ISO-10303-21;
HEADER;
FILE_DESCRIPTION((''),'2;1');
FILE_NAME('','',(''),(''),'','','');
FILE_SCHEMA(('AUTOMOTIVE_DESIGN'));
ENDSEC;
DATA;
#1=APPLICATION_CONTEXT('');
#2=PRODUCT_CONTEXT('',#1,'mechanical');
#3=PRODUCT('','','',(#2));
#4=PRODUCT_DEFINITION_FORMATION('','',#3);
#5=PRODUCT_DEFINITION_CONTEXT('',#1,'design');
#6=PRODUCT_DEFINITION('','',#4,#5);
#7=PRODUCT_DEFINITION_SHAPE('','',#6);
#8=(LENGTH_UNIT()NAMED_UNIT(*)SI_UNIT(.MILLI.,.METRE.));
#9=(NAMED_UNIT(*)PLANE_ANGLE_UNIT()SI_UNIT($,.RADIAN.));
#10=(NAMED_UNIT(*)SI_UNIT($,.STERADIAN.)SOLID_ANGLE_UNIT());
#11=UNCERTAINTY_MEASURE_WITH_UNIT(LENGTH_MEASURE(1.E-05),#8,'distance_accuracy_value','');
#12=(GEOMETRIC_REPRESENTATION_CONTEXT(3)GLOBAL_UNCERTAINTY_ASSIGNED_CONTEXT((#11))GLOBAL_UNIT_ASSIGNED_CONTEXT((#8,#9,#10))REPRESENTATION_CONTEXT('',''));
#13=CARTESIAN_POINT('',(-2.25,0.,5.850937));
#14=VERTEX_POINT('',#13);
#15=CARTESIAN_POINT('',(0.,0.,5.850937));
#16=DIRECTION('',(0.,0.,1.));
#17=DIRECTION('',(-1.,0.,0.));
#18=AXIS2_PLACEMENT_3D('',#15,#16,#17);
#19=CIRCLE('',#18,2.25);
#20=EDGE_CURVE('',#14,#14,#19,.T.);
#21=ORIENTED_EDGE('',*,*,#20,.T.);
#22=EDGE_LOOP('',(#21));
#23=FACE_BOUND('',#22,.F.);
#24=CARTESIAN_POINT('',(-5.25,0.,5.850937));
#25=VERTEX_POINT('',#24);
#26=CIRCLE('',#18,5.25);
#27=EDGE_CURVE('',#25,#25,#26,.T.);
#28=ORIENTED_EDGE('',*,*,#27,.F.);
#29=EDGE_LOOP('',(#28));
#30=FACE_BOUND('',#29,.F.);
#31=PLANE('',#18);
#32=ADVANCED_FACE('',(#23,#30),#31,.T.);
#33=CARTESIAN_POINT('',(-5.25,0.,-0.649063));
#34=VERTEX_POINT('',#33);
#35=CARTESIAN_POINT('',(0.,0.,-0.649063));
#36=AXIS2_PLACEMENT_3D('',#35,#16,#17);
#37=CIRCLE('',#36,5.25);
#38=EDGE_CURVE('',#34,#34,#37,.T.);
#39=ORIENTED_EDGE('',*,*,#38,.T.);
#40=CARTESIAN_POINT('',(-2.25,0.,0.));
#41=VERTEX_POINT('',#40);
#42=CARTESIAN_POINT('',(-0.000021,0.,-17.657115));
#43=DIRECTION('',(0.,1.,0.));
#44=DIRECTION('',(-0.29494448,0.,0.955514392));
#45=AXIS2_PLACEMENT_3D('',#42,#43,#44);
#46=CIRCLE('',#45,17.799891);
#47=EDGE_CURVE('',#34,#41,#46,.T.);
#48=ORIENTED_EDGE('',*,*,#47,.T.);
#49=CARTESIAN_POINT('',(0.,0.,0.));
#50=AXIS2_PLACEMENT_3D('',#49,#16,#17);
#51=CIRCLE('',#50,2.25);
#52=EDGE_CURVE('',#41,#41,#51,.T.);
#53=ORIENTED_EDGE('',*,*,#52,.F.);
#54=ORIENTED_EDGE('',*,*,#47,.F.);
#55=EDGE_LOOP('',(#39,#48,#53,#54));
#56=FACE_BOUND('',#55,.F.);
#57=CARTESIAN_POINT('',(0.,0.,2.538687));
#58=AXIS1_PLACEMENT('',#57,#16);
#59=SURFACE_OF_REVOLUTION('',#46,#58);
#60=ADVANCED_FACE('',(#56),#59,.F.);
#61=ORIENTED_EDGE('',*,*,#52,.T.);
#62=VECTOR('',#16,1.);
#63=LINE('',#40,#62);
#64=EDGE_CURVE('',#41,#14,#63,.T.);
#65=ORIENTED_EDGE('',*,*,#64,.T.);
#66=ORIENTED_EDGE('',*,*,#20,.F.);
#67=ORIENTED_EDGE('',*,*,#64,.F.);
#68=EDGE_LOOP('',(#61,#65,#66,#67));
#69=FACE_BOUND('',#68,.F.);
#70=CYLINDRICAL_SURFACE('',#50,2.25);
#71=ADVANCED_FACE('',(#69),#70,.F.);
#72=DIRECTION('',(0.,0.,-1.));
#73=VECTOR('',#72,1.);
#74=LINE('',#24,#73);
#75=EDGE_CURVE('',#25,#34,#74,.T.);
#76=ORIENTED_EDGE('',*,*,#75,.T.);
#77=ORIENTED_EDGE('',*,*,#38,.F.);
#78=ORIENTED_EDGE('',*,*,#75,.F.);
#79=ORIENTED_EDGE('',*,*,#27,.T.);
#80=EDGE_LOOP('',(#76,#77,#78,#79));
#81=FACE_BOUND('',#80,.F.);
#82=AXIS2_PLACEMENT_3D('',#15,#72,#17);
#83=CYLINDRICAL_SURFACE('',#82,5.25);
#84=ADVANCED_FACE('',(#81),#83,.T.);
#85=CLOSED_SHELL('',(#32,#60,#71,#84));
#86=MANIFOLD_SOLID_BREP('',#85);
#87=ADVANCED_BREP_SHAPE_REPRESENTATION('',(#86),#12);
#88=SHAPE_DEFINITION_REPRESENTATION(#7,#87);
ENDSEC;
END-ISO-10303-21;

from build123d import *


with BuildPart() as f1:
    # F0 (on Front) → F1 (revolve)
    with BuildSketch(Plane.XZ):
        with BuildLine():
            ThreePointArc((-5.25, -0.649063), (-3.764017, -0.259746), (-2.25, 0))
            Line((-2.25, 0), (-2.25, 5.850937))
            Line((-2.25, 5.850937), (-5.25, 5.850937))
            Line((-5.25, 5.850937), (-5.25, -0.649063))
        make_face()
    revolve(axis=Axis((0, 0, 2.538687), (0, 0, 1)))


solid = f1.part
